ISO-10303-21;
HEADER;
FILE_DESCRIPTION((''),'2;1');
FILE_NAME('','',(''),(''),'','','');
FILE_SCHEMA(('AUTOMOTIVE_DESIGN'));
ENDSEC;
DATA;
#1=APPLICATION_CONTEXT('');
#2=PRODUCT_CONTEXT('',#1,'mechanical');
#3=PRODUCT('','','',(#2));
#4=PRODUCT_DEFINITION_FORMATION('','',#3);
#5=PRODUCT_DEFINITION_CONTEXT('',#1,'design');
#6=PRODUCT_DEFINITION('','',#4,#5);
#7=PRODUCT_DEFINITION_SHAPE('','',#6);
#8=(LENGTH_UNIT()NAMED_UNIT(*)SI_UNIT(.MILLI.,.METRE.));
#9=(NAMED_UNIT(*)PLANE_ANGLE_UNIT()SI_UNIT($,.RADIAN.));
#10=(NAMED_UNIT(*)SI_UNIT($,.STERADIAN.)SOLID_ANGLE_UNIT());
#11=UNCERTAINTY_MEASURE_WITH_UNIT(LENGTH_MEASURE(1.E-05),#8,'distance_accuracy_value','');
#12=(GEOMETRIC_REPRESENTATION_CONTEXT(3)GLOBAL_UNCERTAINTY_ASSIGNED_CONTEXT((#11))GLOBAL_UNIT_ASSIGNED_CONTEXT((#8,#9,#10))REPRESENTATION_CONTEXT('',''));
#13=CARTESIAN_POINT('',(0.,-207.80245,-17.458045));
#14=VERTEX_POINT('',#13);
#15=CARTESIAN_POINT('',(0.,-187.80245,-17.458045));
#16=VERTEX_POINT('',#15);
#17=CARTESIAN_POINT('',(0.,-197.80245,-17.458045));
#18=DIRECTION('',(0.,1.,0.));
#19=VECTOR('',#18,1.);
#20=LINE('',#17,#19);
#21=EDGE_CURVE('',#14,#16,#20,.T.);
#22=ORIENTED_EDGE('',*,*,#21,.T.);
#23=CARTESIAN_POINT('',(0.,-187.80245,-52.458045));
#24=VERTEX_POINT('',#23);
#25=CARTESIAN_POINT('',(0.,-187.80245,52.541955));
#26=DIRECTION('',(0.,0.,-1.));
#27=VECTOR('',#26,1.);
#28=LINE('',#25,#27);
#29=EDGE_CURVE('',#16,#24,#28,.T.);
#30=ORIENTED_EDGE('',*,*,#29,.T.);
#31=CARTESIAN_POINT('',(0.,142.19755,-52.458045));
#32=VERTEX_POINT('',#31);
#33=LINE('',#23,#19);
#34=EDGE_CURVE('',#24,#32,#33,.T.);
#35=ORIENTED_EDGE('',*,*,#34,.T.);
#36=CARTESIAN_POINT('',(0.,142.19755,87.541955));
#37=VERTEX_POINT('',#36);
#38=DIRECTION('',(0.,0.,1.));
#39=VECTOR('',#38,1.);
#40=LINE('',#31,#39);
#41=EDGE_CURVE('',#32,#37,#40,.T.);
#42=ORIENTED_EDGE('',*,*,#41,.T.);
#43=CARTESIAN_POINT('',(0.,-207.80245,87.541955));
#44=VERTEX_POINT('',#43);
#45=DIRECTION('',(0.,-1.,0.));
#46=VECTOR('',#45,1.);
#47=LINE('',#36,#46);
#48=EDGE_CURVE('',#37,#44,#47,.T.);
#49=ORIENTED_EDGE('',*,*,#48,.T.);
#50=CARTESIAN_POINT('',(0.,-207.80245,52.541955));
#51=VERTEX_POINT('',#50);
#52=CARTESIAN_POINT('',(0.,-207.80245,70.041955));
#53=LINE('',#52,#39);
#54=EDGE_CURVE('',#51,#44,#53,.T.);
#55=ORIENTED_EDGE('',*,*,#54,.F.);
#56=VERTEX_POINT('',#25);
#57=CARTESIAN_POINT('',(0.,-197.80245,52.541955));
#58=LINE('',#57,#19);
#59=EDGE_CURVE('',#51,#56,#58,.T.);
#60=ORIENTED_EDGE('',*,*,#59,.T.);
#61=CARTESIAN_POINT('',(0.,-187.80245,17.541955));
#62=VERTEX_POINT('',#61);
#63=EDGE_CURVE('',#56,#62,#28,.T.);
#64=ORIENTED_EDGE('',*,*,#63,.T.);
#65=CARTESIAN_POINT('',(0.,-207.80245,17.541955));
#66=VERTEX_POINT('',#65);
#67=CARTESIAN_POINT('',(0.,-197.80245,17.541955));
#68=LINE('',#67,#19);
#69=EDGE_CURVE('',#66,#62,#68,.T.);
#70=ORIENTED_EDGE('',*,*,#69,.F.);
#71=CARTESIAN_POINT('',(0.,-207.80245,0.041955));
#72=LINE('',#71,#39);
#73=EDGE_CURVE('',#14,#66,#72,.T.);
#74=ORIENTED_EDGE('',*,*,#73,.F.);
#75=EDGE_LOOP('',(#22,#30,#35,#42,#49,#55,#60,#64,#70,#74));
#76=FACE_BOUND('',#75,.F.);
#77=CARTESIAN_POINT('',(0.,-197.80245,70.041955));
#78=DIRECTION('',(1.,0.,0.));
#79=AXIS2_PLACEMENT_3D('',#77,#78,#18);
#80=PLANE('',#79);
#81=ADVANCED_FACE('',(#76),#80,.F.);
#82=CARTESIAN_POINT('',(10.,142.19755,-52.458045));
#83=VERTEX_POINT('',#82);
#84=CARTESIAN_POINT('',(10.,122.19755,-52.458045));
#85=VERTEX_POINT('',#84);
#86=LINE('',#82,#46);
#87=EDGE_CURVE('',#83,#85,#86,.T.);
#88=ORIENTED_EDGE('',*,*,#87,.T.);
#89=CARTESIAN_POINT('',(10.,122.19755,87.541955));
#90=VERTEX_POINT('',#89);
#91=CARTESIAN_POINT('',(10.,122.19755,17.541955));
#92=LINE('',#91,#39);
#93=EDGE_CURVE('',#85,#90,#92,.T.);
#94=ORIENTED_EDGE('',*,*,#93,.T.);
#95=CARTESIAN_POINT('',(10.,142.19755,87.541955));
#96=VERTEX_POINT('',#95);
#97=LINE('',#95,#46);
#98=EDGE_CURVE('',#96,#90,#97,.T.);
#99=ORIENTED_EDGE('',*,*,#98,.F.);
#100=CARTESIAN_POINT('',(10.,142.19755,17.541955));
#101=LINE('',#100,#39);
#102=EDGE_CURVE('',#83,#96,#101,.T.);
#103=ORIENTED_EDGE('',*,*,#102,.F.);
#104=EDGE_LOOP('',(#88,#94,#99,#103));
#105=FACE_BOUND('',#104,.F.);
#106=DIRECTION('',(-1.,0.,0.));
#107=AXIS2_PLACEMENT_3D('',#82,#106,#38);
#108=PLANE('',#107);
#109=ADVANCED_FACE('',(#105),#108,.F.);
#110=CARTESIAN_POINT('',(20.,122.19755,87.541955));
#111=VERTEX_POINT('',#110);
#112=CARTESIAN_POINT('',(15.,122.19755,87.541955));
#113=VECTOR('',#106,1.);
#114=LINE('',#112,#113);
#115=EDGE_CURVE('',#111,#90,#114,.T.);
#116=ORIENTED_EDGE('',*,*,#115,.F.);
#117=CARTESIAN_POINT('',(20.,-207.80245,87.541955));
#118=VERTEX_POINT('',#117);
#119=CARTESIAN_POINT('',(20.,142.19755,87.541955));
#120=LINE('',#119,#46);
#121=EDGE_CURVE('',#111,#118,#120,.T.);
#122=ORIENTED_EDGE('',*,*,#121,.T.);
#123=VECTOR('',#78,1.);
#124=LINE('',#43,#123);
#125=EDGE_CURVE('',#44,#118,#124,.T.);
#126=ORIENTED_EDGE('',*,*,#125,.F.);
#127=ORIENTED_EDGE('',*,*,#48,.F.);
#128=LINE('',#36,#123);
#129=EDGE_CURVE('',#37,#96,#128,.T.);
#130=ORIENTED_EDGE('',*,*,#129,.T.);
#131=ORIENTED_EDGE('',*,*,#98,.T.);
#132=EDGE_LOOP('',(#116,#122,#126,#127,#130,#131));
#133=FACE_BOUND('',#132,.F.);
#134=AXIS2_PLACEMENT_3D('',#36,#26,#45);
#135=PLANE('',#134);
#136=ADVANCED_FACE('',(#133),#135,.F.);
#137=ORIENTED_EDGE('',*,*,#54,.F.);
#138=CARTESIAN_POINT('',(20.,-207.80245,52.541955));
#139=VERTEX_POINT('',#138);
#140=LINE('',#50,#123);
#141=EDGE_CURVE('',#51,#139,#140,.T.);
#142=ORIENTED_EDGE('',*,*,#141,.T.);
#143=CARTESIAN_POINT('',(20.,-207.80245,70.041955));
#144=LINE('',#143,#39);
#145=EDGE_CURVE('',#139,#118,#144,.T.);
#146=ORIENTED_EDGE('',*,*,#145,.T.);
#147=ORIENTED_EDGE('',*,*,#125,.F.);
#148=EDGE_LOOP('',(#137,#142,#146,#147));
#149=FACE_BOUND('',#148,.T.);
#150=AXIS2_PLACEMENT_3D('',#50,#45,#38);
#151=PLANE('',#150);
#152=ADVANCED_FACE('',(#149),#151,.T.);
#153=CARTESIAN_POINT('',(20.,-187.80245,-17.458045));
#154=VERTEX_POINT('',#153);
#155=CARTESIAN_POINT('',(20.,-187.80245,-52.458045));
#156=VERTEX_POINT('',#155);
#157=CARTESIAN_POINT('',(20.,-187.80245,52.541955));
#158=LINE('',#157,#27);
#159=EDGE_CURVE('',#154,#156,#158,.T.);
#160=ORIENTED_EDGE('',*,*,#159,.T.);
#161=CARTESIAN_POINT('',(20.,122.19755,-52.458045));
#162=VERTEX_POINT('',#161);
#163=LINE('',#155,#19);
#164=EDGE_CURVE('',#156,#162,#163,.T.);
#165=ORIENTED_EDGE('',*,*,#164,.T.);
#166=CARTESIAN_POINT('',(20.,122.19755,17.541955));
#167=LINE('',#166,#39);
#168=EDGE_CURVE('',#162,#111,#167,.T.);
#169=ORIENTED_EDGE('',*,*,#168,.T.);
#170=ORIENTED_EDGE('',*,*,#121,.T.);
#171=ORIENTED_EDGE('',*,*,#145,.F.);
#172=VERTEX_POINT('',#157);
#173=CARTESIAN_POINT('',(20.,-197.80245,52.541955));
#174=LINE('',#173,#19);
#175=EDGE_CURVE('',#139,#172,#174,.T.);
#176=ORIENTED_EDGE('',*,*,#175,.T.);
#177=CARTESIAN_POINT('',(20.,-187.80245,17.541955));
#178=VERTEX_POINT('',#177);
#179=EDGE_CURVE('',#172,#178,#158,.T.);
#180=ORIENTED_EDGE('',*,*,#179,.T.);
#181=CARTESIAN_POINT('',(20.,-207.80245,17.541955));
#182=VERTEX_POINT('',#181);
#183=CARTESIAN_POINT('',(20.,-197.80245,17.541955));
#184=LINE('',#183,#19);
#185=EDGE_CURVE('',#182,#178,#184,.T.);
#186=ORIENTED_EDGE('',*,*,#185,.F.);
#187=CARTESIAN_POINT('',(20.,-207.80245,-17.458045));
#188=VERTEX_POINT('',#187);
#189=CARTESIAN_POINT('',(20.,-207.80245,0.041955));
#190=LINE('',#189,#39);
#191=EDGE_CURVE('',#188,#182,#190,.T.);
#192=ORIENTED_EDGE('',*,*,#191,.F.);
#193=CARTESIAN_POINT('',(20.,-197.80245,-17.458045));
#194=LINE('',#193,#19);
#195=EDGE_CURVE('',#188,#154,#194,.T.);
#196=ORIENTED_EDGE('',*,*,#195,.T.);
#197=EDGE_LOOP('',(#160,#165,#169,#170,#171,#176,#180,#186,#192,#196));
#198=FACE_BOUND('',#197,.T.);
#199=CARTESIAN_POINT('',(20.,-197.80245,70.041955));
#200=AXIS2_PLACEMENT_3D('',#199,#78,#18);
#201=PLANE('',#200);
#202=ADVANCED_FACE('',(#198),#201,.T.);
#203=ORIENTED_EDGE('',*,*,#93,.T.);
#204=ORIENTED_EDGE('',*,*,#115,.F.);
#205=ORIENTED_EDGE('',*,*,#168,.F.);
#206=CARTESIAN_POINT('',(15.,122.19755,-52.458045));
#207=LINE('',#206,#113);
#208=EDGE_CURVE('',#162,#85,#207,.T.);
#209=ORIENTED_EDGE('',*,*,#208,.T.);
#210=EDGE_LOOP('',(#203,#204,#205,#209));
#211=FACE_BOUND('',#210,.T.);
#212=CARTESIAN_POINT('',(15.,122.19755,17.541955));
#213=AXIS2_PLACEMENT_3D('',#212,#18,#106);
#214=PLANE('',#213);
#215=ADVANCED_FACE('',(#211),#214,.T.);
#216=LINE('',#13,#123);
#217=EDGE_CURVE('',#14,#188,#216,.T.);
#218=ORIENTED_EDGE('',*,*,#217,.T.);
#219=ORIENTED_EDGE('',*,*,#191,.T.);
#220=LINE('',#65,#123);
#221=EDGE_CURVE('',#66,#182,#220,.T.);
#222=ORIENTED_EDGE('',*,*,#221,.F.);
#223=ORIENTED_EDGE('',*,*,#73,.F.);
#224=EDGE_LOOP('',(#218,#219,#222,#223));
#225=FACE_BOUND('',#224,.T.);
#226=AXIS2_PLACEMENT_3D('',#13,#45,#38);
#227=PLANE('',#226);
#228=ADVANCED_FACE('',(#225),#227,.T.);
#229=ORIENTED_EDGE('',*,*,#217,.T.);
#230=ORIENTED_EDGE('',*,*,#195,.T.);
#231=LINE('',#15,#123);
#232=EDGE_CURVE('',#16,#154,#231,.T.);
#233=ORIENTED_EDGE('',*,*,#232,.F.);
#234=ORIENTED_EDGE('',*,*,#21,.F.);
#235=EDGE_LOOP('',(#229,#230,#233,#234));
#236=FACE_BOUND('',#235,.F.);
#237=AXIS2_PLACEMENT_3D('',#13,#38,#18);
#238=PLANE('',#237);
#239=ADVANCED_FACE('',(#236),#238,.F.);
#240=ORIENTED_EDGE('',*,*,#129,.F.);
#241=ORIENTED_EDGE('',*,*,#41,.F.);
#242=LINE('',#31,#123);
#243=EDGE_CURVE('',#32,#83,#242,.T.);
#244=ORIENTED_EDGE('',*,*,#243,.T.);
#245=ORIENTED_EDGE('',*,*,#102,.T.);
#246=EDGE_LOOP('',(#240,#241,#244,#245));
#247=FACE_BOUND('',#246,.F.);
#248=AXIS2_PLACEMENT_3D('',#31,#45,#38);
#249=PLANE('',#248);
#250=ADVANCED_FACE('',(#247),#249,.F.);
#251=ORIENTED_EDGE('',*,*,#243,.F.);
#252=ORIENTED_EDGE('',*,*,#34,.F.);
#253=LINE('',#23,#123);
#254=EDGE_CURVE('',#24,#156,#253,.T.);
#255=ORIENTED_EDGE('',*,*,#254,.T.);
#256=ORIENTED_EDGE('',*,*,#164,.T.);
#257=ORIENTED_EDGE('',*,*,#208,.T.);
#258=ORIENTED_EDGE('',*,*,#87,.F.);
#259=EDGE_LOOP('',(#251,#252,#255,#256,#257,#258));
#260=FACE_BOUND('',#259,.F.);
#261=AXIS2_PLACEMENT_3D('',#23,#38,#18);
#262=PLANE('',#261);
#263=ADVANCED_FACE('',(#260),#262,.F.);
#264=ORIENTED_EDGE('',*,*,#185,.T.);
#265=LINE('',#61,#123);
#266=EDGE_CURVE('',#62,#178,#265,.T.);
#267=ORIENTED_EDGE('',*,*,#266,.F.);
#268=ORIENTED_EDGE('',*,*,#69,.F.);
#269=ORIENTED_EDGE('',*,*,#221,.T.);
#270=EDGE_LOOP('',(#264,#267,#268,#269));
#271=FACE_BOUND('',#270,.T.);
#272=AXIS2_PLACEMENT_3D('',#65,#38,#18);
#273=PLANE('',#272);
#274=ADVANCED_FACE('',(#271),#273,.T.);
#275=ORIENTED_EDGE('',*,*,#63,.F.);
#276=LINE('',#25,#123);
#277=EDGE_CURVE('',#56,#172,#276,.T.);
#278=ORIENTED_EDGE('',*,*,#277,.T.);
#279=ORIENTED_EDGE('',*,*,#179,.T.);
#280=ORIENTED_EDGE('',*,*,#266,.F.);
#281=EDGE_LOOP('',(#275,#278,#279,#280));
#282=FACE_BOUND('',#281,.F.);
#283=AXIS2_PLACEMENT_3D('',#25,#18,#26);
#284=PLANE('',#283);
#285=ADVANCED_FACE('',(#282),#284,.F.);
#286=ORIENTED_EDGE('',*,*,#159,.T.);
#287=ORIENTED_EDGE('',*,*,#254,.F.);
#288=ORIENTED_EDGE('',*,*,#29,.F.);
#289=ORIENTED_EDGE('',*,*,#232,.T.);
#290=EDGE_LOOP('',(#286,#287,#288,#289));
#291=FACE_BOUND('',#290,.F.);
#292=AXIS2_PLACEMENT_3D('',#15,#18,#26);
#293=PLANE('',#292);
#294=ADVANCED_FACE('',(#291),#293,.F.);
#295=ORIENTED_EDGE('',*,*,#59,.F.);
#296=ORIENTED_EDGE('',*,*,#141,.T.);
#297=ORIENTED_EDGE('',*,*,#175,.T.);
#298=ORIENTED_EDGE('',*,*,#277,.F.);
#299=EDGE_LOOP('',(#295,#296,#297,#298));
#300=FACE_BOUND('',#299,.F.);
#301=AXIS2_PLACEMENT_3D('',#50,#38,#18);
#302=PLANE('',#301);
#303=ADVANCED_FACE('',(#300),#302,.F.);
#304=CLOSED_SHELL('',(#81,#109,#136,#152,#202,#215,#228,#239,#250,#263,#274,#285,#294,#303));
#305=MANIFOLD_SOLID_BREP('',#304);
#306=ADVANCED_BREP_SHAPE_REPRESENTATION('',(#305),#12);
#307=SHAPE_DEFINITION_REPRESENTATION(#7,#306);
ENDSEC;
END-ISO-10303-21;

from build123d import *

# Parameters (mm, degrees)
F0_W     = 20
F0_H     = 35
F1_DEPTH = 20
F2_W     = 10
F2_H     = 140
F3_DEPTH = 20


with BuildPart() as f1:
    # F0 (on Right) → F1 (new body)
    with BuildSketch(Plane.YZ):
        with Locations((-197.80245, 70.041955)):
            Rectangle(F0_W, F0_H)
        Polygon((142.19755, 87.541955), (-187.80245, 87.541955), (-187.80245, 52.541955), (-187.80245, 17.541955), (-187.80245, -17.458045), (-187.80245, -52.458045), (142.19755, -52.458045), align=None)
        with Locations((-197.80245, 0.041955)):
            Rectangle(F0_W, F0_H)
    extrude(amount=F1_DEPTH)

    # F2 (on face) → F3 (cut)
    with BuildSketch(Plane(origin=(0, 142.19755, 0), x_dir=(-1, 0, 0), z_dir=(0, 1, 0))):
        with Locations((-15, 17.541955)):
            Rectangle(F2_W, F2_H)
    extrude(amount=-F3_DEPTH, mode=Mode.SUBTRACT)


solid = f1.part
